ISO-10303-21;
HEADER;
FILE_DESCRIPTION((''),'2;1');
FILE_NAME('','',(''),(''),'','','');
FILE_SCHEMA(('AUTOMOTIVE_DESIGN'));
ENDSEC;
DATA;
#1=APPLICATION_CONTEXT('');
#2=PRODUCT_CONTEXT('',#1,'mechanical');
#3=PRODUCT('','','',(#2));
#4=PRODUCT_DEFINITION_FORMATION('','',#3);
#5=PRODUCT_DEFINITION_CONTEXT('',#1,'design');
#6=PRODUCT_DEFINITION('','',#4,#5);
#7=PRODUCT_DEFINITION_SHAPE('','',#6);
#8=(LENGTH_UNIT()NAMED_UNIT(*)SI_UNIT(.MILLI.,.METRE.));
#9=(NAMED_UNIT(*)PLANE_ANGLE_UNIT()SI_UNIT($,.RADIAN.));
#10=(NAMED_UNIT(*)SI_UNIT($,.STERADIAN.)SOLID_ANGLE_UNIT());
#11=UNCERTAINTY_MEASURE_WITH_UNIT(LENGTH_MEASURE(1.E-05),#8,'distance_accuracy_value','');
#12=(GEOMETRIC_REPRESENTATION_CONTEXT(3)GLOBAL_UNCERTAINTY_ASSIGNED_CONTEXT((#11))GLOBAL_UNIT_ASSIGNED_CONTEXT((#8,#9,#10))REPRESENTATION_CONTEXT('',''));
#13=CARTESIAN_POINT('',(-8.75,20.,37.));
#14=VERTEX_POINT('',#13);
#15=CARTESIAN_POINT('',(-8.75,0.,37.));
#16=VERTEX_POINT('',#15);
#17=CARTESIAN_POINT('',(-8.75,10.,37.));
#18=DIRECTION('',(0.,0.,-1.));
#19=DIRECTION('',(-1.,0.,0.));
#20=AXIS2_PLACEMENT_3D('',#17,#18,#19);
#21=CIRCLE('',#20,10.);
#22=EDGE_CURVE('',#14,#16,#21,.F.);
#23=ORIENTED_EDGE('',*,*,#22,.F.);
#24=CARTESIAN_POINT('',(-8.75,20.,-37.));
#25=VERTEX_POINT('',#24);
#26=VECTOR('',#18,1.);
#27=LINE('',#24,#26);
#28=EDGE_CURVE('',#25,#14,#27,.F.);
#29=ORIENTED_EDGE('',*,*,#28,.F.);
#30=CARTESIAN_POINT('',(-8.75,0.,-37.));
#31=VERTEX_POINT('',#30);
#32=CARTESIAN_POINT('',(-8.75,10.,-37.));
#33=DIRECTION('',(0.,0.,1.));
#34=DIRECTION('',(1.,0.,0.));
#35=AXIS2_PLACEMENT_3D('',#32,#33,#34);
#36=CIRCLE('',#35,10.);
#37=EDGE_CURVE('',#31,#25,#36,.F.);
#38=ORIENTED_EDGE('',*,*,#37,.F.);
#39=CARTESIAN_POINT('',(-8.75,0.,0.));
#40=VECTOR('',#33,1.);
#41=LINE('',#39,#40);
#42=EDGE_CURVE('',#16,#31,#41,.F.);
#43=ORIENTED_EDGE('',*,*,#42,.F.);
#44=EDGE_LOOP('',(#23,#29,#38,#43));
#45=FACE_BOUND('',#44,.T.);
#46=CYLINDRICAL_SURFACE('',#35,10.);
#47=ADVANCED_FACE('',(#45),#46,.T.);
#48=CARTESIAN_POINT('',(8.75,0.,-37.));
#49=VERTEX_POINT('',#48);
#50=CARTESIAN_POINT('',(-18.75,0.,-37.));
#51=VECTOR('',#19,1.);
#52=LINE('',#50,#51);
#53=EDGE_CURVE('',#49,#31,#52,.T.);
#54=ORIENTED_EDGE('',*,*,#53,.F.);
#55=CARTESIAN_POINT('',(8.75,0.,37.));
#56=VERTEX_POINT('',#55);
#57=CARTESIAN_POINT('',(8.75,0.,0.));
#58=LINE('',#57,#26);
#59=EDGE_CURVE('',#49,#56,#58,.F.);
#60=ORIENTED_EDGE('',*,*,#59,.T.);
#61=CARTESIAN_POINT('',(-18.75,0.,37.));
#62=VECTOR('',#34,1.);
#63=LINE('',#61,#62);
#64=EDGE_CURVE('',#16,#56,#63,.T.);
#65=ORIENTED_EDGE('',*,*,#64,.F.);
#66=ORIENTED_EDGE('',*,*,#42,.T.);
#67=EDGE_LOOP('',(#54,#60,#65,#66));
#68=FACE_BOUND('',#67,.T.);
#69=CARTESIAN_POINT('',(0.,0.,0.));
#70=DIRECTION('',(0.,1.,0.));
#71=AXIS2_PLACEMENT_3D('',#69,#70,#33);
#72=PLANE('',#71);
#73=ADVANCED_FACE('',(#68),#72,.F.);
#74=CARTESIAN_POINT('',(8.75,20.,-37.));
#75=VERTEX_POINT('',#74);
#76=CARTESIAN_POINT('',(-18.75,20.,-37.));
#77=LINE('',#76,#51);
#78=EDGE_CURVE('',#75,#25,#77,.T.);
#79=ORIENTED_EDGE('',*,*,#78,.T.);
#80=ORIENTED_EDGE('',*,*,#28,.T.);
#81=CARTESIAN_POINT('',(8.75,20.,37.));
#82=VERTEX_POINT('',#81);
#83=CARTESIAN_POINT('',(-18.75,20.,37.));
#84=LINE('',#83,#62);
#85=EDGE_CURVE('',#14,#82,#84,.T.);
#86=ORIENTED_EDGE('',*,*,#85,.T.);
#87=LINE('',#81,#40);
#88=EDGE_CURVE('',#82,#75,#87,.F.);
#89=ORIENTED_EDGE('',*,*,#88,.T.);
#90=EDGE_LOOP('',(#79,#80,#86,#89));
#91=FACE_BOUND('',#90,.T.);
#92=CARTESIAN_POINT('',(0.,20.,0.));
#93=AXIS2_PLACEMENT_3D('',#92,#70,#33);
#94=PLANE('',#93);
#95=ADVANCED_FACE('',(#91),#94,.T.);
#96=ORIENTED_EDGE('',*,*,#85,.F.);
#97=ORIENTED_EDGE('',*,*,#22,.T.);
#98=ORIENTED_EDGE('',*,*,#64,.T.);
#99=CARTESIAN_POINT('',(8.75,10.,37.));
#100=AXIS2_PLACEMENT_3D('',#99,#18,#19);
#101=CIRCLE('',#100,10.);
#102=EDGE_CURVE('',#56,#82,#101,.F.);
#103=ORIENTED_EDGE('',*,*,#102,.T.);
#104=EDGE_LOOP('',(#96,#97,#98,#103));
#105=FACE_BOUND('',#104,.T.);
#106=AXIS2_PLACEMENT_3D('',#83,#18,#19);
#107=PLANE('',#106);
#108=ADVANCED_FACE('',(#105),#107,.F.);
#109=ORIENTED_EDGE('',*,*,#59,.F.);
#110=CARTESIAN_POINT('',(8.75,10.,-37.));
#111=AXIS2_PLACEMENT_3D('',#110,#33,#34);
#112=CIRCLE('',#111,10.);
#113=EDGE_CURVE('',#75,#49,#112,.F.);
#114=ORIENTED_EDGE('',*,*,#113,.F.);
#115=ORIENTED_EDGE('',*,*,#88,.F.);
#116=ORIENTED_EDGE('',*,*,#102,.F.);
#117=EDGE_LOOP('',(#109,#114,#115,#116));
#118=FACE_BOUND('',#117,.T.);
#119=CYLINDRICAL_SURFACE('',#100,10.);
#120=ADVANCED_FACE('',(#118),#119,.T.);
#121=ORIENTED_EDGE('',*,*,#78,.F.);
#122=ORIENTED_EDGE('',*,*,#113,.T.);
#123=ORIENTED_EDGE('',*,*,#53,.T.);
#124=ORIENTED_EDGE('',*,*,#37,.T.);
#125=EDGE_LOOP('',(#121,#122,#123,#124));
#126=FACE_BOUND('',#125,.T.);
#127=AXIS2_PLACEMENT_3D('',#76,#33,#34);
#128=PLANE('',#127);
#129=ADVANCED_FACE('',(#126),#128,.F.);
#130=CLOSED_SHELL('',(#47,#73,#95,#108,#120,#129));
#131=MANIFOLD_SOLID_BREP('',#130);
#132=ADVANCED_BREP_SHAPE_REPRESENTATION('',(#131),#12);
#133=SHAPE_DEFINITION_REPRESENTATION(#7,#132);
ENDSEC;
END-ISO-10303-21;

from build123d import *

# Parameters (mm, degrees)
SKETCH1_W           = 37.5
SKETCH1_H           = 74
BOSS_EXTRUDE1_DEPTH = 20
FILLET3_RADIUS      = 10
FILLET3_LENGTH      = 74
FILLET4_RADIUS      = 10
FILLET4_LENGTH      = 74


with BuildPart() as part:
    # Sketch1 → Boss-Extrude1 (new body)
    with BuildSketch(Plane(origin=(0, 0, 0), x_dir=(1, 0, 0), z_dir=(0, 1, 0))):
        Rectangle(SKETCH1_W, SKETCH1_H)
    extrude(amount=BOSS_EXTRUDE1_DEPTH)

    # Fillet3: full round fillet: the end face becomes a half cylinder, R = half its width
    fillet3_face = Plane((-18.75, 10, 0), x_dir=(0, 0, -1), z_dir=(-1, 0, 0))  # on the end face: x along it, z out of the body
    fillet3_slab = fillet3_face.offset(-FILLET3_RADIUS / 2) * Box(FILLET3_LENGTH, 2 * FILLET3_RADIUS, FILLET3_RADIUS, mode=Mode.PRIVATE)  # the body's end, R deep
    fillet3_round = Plane((-8.75, 10, 0), x_dir=(-1, 0, 0), z_dir=(0, 0, -1)) * Cylinder(FILLET3_RADIUS, FILLET3_LENGTH, mode=Mode.PRIVATE)  # its axis R under the face
    add(fillet3_slab - fillet3_round, mode=Mode.SUBTRACT)

    # Fillet4: full round fillet: the end face becomes a half cylinder, R = half its width
    fillet4_face = Plane((18.75, 10, 0), x_dir=(0, 0, 1), z_dir=(1, 0, 0))  # on the end face: x along it, z out of the body
    fillet4_slab = fillet4_face.offset(-FILLET4_RADIUS / 2) * Box(FILLET4_LENGTH, 2 * FILLET4_RADIUS, FILLET4_RADIUS, mode=Mode.PRIVATE)  # the body's end, R deep
    fillet4_round = Plane((8.75, 10, 0), x_dir=(1, 0, 0), z_dir=(0, 0, 1)) * Cylinder(FILLET4_RADIUS, FILLET4_LENGTH, mode=Mode.PRIVATE)  # its axis R under the face
    add(fillet4_slab - fillet4_round, mode=Mode.SUBTRACT)


solid = part.part
